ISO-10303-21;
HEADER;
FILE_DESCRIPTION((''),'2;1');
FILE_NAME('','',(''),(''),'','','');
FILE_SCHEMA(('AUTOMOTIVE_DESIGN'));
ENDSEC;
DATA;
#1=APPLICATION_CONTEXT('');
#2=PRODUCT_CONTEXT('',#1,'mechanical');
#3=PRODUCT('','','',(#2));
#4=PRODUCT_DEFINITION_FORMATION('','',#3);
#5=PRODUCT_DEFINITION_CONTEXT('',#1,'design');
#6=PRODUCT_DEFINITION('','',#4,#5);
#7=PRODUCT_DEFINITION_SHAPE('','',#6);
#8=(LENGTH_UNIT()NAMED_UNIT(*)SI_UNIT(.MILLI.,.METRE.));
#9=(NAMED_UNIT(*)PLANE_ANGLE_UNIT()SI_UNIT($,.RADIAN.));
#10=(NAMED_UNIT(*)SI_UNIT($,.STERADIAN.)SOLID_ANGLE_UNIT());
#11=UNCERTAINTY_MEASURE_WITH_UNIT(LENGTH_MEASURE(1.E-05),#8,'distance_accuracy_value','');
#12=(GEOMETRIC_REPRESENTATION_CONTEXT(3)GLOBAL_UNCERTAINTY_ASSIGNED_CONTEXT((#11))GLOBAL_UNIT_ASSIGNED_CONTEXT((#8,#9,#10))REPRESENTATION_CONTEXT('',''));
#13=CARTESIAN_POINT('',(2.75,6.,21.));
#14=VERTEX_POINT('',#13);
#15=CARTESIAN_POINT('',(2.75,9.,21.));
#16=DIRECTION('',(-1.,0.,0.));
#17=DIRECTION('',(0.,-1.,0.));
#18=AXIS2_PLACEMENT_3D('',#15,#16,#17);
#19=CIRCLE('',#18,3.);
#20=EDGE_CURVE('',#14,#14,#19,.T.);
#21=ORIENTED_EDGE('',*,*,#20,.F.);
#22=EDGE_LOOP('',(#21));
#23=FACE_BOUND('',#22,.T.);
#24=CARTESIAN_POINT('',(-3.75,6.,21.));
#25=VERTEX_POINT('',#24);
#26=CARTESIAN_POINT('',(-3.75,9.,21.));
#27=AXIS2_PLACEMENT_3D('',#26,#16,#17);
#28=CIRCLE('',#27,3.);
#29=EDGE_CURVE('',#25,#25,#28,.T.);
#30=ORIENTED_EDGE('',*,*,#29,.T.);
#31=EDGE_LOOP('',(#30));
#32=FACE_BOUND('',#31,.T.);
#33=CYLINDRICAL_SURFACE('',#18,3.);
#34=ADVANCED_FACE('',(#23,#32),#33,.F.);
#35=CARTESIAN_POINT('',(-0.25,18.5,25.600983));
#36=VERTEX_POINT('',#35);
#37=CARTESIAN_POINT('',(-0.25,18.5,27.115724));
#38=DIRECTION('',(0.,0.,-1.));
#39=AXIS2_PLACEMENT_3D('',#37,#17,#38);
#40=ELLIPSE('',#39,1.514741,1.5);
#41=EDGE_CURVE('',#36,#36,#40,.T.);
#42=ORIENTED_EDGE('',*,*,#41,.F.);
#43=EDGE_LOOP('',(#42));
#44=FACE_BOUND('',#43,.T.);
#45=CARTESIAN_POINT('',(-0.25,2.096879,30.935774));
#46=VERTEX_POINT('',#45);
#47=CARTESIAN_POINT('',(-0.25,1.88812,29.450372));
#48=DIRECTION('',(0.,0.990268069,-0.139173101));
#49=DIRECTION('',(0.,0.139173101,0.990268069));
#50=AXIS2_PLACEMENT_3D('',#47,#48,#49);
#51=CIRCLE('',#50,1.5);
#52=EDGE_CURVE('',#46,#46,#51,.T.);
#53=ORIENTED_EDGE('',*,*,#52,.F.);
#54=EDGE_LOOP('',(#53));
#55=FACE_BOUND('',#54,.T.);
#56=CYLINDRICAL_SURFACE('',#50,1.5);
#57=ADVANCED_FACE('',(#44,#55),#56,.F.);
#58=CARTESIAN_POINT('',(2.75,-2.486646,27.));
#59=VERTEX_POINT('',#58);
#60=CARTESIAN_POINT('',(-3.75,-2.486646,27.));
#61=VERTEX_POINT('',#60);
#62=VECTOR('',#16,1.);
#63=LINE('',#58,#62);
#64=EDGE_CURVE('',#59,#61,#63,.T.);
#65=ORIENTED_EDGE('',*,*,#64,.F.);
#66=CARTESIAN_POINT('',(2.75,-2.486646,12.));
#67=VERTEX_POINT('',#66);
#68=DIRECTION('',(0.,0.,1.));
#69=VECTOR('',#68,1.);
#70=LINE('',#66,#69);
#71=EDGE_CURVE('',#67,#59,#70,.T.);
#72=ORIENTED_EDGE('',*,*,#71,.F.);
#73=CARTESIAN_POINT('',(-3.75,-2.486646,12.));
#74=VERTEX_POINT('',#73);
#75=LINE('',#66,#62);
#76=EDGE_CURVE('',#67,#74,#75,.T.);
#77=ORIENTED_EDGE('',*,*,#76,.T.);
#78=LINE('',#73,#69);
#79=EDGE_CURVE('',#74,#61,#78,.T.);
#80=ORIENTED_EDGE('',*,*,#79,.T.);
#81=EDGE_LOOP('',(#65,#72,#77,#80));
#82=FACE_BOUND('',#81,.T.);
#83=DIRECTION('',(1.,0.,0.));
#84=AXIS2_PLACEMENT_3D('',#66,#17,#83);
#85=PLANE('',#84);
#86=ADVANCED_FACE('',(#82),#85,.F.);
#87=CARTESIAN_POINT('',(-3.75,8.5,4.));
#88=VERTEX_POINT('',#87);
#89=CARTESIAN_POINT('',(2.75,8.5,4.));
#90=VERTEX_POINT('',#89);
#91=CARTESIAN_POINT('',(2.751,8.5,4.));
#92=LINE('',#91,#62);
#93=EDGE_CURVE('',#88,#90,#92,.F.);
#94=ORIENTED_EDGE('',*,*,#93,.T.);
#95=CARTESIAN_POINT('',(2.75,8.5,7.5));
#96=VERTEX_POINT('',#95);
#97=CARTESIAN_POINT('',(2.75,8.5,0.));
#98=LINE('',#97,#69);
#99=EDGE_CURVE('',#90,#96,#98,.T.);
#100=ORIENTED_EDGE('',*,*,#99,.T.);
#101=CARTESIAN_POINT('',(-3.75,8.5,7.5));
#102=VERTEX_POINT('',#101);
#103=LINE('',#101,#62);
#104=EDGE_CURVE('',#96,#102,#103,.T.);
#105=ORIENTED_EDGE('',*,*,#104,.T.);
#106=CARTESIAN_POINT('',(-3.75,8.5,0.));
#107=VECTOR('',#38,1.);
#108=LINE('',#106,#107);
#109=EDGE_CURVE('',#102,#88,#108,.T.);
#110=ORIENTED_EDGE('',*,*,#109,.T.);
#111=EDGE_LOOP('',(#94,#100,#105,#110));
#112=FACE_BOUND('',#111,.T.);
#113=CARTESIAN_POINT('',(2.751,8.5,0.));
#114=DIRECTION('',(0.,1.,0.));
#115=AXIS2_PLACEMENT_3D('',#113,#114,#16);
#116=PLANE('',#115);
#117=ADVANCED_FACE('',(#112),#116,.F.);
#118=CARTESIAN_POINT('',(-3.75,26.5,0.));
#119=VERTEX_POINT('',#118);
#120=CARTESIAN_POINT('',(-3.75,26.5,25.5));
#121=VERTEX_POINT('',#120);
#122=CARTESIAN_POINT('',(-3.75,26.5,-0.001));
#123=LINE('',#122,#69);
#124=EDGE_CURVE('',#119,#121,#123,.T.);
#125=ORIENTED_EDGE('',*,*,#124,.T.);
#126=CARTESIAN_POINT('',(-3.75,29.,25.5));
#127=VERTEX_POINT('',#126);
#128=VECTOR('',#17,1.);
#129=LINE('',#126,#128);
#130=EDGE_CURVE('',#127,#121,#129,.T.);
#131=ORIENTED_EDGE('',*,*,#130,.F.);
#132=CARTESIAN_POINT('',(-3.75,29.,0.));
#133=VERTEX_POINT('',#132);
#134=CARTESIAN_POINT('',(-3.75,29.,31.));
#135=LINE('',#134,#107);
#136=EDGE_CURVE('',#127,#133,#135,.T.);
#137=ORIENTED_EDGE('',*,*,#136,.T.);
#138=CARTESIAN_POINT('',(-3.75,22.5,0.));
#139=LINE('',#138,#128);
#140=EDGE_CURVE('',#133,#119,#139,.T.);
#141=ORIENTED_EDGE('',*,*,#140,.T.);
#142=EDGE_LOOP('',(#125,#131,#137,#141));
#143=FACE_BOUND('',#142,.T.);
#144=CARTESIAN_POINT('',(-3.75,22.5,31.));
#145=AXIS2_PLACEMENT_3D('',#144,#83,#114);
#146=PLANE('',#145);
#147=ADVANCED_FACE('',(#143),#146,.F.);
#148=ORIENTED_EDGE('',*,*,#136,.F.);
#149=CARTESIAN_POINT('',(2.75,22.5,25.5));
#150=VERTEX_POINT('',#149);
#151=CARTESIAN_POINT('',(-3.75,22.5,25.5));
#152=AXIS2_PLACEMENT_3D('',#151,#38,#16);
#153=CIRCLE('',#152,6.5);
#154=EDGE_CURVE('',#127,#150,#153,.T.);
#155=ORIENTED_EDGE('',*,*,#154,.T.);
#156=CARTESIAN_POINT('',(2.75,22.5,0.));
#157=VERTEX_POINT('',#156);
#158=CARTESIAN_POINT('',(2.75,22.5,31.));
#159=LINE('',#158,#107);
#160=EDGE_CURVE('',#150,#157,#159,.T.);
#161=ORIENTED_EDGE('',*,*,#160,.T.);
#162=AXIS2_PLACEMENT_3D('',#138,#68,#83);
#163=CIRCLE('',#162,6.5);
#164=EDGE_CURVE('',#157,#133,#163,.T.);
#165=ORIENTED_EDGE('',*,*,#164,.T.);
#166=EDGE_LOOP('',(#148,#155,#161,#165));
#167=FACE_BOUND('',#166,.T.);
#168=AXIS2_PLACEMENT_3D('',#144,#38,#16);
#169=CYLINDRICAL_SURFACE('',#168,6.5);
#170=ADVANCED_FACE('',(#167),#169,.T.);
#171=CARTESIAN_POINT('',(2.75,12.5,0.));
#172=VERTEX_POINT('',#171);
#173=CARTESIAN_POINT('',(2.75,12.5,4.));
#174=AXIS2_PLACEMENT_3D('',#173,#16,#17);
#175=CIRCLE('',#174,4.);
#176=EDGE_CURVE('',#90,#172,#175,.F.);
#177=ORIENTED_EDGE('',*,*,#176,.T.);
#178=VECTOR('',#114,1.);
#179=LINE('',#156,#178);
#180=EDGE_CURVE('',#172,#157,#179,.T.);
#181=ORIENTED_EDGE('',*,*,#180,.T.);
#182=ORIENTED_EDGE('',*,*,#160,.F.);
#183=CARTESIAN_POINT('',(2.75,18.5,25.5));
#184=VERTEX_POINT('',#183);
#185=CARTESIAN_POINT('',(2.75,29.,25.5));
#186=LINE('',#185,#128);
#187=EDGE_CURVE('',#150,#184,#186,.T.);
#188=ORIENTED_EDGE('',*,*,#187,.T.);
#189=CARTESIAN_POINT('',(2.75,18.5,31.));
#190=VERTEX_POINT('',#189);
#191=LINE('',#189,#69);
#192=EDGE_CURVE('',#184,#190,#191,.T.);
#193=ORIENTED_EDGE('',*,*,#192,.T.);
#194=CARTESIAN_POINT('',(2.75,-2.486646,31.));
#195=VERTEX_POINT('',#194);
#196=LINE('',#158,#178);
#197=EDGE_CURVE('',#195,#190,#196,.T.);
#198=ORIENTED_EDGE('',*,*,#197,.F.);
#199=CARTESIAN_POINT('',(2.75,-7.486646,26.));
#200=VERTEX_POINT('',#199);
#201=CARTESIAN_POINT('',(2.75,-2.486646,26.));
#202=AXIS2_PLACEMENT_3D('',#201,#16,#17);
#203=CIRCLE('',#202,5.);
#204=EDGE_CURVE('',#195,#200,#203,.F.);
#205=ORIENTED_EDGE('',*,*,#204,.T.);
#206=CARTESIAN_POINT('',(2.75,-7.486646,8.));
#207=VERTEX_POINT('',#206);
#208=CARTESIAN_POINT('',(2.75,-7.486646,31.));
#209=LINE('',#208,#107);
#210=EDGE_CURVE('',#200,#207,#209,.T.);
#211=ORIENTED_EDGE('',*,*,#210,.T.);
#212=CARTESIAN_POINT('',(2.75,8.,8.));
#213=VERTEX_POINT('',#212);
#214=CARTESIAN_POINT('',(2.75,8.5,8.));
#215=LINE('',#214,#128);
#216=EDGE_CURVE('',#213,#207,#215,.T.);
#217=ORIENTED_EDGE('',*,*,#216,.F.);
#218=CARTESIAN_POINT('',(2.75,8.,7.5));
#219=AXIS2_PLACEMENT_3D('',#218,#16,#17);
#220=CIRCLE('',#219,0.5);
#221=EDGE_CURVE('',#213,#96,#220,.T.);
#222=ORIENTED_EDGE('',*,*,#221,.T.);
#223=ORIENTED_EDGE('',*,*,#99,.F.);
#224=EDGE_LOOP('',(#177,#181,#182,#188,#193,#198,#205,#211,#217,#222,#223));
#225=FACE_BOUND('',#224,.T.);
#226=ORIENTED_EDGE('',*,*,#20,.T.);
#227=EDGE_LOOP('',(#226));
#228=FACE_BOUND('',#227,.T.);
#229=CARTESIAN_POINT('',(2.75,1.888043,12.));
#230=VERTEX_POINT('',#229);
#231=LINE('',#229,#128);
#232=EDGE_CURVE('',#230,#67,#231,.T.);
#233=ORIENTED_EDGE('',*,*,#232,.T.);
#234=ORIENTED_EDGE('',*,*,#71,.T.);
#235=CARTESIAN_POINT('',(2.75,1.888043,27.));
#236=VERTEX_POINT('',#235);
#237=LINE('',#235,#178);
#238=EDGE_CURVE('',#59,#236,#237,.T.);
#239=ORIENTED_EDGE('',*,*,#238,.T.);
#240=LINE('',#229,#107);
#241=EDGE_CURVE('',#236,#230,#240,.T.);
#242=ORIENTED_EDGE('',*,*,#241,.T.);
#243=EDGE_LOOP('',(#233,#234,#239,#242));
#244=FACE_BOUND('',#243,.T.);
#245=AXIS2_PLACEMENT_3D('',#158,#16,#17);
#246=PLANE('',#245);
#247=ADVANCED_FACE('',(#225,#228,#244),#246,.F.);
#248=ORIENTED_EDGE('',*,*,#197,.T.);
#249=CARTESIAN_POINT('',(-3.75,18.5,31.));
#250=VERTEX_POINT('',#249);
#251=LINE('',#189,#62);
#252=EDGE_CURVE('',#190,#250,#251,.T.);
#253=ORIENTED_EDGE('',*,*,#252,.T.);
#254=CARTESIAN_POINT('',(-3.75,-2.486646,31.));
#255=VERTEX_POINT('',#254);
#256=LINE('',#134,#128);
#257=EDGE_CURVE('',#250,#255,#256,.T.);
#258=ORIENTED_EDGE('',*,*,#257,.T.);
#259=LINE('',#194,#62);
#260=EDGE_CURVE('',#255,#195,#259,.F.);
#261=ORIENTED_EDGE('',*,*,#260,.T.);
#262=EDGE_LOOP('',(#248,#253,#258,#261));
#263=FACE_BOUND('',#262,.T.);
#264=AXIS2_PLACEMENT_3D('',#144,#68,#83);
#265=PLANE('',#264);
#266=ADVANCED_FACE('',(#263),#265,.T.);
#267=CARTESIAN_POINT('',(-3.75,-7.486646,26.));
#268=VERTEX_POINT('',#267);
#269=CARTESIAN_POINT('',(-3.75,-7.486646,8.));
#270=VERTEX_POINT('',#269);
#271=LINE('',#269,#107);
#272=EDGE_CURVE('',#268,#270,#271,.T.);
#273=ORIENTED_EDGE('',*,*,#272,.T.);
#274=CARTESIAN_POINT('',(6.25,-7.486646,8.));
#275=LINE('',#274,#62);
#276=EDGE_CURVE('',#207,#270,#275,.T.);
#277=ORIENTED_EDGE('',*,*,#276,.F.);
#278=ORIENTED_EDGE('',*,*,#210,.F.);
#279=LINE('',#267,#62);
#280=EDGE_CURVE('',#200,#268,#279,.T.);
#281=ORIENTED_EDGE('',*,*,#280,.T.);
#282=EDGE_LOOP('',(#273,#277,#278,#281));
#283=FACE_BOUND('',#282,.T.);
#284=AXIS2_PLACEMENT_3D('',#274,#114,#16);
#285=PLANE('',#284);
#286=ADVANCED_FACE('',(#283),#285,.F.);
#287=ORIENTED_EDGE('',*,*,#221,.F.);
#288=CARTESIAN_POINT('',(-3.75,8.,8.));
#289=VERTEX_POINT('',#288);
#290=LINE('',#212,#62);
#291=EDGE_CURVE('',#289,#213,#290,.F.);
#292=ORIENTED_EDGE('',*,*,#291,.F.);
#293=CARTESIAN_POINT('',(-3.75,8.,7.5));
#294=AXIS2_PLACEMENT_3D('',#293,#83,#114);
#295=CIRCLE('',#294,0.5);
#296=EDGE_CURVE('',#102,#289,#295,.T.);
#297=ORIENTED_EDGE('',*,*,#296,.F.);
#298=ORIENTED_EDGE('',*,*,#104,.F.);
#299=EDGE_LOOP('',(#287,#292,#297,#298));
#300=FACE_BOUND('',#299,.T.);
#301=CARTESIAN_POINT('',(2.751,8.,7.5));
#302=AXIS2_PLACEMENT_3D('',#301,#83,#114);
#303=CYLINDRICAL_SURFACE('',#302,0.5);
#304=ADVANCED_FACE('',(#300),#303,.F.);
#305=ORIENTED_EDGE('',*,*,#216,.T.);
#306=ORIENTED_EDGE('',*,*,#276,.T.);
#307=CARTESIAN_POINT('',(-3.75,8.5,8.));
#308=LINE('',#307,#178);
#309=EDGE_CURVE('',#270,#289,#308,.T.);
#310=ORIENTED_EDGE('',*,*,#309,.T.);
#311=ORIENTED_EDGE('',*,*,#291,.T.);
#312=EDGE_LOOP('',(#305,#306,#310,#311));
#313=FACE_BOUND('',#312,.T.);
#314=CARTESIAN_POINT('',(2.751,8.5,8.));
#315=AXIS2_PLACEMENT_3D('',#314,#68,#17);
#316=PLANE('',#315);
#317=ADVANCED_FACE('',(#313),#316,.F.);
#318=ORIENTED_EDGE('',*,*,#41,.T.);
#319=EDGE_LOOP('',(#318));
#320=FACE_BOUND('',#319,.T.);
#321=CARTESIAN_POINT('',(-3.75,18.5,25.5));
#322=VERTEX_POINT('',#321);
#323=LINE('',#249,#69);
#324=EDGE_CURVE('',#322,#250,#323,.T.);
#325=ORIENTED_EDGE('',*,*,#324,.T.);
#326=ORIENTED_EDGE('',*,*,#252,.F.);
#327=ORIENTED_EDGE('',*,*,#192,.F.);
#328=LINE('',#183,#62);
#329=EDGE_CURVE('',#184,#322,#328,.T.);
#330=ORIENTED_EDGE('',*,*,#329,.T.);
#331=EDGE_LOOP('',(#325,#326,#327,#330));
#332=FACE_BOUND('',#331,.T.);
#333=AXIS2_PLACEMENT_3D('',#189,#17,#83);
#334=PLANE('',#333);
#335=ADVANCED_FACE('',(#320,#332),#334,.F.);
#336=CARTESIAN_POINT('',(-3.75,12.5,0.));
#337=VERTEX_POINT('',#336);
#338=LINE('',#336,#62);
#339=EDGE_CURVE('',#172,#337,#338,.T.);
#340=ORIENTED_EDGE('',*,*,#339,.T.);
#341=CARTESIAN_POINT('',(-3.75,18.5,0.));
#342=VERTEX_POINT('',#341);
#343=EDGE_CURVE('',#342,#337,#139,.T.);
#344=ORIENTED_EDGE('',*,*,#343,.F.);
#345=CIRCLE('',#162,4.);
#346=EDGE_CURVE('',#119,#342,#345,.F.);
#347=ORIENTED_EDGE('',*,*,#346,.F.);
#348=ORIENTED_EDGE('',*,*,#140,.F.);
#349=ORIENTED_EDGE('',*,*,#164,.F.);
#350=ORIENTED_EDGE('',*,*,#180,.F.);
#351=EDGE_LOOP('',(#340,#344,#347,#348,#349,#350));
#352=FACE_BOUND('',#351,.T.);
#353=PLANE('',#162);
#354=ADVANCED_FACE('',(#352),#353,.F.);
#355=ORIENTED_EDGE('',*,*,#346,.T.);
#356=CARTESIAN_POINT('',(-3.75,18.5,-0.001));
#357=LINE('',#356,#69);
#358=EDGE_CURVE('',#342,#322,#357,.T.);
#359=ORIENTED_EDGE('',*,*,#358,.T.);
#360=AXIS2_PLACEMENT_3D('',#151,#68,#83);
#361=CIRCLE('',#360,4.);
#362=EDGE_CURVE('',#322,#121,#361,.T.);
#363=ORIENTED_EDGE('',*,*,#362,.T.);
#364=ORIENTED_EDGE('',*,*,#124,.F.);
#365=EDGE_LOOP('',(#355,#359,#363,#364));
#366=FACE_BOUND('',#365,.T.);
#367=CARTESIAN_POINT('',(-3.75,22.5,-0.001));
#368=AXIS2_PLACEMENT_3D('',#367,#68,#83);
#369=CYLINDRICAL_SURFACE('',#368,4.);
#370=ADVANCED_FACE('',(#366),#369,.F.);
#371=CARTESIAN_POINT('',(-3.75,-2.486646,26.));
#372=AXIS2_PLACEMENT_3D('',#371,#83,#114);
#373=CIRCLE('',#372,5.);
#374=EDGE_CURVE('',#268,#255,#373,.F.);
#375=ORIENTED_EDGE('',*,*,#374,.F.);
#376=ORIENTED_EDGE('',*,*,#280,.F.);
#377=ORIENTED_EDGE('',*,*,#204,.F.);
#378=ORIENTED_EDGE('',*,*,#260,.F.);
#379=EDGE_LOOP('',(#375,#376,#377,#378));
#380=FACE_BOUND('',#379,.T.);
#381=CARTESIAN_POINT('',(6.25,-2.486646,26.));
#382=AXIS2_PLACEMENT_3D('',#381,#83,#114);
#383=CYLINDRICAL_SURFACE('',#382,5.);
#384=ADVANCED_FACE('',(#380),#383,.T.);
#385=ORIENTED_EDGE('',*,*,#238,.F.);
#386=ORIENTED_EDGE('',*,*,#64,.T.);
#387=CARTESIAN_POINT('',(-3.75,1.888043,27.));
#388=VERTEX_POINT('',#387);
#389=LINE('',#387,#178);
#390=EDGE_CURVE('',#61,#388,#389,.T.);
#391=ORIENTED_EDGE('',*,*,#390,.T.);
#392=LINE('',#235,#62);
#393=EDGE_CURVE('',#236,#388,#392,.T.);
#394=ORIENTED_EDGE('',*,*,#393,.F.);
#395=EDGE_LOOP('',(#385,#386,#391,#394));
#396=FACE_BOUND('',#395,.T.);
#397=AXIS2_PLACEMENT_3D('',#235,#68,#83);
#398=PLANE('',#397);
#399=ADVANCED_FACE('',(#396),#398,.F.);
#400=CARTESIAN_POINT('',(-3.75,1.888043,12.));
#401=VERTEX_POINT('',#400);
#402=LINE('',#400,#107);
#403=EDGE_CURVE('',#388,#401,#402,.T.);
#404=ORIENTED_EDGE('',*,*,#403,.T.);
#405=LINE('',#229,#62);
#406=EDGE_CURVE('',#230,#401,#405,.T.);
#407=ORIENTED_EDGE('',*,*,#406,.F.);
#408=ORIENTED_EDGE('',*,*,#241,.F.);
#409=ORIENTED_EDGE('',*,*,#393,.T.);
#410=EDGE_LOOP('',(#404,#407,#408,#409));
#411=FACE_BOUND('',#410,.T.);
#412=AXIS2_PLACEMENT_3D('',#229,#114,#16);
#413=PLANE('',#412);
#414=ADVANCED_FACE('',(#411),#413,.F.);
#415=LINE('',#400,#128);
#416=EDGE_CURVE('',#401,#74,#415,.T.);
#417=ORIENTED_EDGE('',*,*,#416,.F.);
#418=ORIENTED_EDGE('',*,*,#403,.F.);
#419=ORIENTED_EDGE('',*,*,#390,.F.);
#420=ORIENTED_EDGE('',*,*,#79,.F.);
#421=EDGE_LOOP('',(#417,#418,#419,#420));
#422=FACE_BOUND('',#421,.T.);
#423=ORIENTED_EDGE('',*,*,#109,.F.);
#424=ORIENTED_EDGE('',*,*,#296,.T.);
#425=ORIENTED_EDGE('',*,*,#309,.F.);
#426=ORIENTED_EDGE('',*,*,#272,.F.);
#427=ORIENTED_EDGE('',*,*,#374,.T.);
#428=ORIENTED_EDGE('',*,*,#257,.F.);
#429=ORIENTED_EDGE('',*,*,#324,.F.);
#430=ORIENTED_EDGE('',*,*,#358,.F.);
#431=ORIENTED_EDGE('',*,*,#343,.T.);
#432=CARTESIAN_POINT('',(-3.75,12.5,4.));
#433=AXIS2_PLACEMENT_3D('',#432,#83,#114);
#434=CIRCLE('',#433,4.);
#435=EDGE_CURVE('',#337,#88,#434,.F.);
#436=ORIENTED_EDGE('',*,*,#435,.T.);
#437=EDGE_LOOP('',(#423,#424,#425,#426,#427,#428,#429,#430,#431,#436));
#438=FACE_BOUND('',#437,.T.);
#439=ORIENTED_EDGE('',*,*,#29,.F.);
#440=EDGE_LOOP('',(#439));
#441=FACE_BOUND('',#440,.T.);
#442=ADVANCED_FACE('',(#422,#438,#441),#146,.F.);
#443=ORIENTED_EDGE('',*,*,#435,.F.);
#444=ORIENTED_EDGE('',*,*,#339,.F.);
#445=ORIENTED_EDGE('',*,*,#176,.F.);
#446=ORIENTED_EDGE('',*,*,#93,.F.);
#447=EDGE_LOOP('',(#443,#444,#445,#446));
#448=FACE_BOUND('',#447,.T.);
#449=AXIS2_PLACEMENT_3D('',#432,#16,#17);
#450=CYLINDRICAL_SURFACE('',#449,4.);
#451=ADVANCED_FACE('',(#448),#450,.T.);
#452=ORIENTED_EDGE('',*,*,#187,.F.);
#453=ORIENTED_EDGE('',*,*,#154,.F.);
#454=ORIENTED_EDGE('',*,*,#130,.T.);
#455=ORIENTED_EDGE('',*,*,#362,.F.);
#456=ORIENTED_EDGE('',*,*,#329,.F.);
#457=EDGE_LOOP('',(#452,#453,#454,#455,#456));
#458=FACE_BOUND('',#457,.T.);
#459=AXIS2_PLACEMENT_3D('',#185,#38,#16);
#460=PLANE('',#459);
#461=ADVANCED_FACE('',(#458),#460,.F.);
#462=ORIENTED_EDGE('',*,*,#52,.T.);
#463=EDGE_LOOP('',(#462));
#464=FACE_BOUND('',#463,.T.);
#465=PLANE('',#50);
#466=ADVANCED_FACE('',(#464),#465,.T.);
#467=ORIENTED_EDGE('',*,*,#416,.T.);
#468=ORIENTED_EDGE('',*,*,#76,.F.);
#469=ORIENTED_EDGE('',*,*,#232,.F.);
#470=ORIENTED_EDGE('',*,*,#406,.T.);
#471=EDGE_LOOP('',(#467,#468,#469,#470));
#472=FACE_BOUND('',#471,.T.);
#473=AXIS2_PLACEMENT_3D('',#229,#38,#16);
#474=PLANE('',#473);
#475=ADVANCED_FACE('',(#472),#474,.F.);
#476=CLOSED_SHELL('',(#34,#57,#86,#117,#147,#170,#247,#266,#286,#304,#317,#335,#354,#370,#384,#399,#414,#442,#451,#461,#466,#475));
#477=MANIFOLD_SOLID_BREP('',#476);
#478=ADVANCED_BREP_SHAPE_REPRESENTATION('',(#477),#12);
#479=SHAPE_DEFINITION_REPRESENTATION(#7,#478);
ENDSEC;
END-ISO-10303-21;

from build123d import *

# Parameters (mm, degrees)
BOSS_EXTRUDE1_DEPTH = 31
SKETCH2_W           = 5.5
SKETCH2_H           = 10.5
CUT_EXTRUDE1_DEPTH  = 7.5
SKETCH3_R           = 3
CUT_EXTRUDE2_DEPTH  = 7.5
CUT_EXTRUDE5_REACH  = 8.5
SKETCH6_W           = 8
SKETCH6_H           = 13
FILLET1_R           = 0.5
FILLET2_R           = 4
CUT_EXTRUDE7_REACH  = 27.5
SKETCH9_R           = 1.5
CUT_EXTRUDE8_DEPTH  = 17
CUT_EXTRUDE9_DEPTH  = 10
FILLET3_R           = 5
SKETCH11_W          = 15
SKETCH11_H          = 4.374689329
CUT_EXTRUDE10_DEPTH = 7.5


with BuildPart() as part:
    # Sketch1 → Boss-Extrude1 (new body)
    with BuildSketch(Plane.XY):
        with BuildLine():
            Line((-3.75, 29), (-3.75, 22.5))
            Line((-3.75, 22.5), (-3.75, -22.5))
            Line((-3.75, -22.5), (2.75, -22.5))
            Line((2.75, -22.5), (2.75, 22.5))
            ThreePointArc((2.75, 22.5), (0.846194078, 27.096194078), (-3.75, 29))
        make_face()
    extrude(amount=BOSS_EXTRUDE1_DEPTH)

    # Sketch2 → Cut-Extrude1 (cut, through all)
    with BuildSketch(Plane.ZY.offset(3.75)):
        with Locations((28.25, 23.75)):
            Rectangle(SKETCH2_W, SKETCH2_H)
    extrude(amount=-CUT_EXTRUDE1_DEPTH, mode=Mode.SUBTRACT)

    # Sketch3 → Cut-Extrude2 (cut, through all)
    with BuildSketch(Plane.ZY.offset(3.75)):
        with Locations((21, 9)):
            Circle(SKETCH3_R)
        with Locations((21, -12.5)):
            Circle(SKETCH3_R)
    extrude(amount=-CUT_EXTRUDE2_DEPTH, mode=Mode.SUBTRACT)

    # Sketch6 → Cut-Extrude5 (cut, up to next)
    with BuildSketch(Plane.ZY.offset(3.75), mode=Mode.PRIVATE) as cut_extrude5_sk1:
        with Locations((4, 2)):
            Rectangle(SKETCH6_W, SKETCH6_H)
    cut_extrude5_tool1 = extrude(cut_extrude5_sk1.sketch, amount=-CUT_EXTRUDE5_REACH, mode=Mode.PRIVATE) & part.part
    add(cut_extrude5_tool1.solids().sort_by_distance((-3.75, 2, 4))[0], mode=Mode.SUBTRACT)

    # Fillet1
    fillet1_edges = [part.edges().sort_by_distance(p)[0] for p in [
        (-0.5, 8.5, 8),
        (-0.5, -4.5, 8),
    ]]
    fillet(fillet1_edges, radius=FILLET1_R)

    # Fillet2
    fillet2_edges = [part.edges().sort_by_distance(p)[0] for p in [
        (-0.5, -4.5, 0),
        (-0.5, 8.5, 0),
    ]]
    fillet(fillet2_edges, radius=FILLET2_R)

    # Sketch8 → Cut-Extrude7 (cut, up to next)
    with BuildSketch(Plane.XY.offset(25.5), mode=Mode.PRIVATE) as cut_extrude7_sk1:
        with BuildLine():
            Line((-3.75, 26.5), (-3.75, 18.5))
            ThreePointArc((-3.75, 18.5), (0.25, 22.5), (-3.75, 26.5))
        make_face()
    cut_extrude7_tool1 = extrude(cut_extrude7_sk1.sketch, amount=-CUT_EXTRUDE7_REACH, mode=Mode.PRIVATE) & part.part
    add(cut_extrude7_tool1.solids().sort_by_distance((-2.052347, 22.5, 25.5))[0], mode=Mode.SUBTRACT)

    # Sketch9 → Cut-Extrude8 (cut)
    with BuildSketch(Plane(origin=(0, 14.627294401, -2.055732165), x_dir=(-1, 0, 0), z_dir=(0, 0.990268069, -0.139173101))):
        with Locations((0.25, 29.426538121)):
            Circle(SKETCH9_R)
    extrude(amount=-CUT_EXTRUDE8_DEPTH, mode=Mode.SUBTRACT)

    # Sketch10 → Cut-Extrude9 (cut)
    with BuildSketch(Plane.ZY.offset(3.75)):
        Polygon((8, -7.48664609), (35.202378245, -7.48664609), (35.202378245, -24.00834186), (-1.764970627, -24.00834186), (-1.764970627, -2.884142505), (8, -2.884142505), align=None)
    extrude(amount=-CUT_EXTRUDE9_DEPTH, mode=Mode.SUBTRACT)

    # Fillet3
    fillet3_edges = [part.edges().sort_by_distance(p)[0] for p in [
        (-0.5, -7.48664609, 31),
    ]]
    fillet(fillet3_edges, radius=FILLET3_R)

    # Sketch11 → Cut-Extrude10 (cut, through all)
    with BuildSketch(Plane.ZY.offset(3.75)):
        with Locations((19.5, -0.299301426)):
            Rectangle(SKETCH11_W, SKETCH11_H)
    extrude(amount=-CUT_EXTRUDE10_DEPTH, mode=Mode.SUBTRACT)


solid = part.part
